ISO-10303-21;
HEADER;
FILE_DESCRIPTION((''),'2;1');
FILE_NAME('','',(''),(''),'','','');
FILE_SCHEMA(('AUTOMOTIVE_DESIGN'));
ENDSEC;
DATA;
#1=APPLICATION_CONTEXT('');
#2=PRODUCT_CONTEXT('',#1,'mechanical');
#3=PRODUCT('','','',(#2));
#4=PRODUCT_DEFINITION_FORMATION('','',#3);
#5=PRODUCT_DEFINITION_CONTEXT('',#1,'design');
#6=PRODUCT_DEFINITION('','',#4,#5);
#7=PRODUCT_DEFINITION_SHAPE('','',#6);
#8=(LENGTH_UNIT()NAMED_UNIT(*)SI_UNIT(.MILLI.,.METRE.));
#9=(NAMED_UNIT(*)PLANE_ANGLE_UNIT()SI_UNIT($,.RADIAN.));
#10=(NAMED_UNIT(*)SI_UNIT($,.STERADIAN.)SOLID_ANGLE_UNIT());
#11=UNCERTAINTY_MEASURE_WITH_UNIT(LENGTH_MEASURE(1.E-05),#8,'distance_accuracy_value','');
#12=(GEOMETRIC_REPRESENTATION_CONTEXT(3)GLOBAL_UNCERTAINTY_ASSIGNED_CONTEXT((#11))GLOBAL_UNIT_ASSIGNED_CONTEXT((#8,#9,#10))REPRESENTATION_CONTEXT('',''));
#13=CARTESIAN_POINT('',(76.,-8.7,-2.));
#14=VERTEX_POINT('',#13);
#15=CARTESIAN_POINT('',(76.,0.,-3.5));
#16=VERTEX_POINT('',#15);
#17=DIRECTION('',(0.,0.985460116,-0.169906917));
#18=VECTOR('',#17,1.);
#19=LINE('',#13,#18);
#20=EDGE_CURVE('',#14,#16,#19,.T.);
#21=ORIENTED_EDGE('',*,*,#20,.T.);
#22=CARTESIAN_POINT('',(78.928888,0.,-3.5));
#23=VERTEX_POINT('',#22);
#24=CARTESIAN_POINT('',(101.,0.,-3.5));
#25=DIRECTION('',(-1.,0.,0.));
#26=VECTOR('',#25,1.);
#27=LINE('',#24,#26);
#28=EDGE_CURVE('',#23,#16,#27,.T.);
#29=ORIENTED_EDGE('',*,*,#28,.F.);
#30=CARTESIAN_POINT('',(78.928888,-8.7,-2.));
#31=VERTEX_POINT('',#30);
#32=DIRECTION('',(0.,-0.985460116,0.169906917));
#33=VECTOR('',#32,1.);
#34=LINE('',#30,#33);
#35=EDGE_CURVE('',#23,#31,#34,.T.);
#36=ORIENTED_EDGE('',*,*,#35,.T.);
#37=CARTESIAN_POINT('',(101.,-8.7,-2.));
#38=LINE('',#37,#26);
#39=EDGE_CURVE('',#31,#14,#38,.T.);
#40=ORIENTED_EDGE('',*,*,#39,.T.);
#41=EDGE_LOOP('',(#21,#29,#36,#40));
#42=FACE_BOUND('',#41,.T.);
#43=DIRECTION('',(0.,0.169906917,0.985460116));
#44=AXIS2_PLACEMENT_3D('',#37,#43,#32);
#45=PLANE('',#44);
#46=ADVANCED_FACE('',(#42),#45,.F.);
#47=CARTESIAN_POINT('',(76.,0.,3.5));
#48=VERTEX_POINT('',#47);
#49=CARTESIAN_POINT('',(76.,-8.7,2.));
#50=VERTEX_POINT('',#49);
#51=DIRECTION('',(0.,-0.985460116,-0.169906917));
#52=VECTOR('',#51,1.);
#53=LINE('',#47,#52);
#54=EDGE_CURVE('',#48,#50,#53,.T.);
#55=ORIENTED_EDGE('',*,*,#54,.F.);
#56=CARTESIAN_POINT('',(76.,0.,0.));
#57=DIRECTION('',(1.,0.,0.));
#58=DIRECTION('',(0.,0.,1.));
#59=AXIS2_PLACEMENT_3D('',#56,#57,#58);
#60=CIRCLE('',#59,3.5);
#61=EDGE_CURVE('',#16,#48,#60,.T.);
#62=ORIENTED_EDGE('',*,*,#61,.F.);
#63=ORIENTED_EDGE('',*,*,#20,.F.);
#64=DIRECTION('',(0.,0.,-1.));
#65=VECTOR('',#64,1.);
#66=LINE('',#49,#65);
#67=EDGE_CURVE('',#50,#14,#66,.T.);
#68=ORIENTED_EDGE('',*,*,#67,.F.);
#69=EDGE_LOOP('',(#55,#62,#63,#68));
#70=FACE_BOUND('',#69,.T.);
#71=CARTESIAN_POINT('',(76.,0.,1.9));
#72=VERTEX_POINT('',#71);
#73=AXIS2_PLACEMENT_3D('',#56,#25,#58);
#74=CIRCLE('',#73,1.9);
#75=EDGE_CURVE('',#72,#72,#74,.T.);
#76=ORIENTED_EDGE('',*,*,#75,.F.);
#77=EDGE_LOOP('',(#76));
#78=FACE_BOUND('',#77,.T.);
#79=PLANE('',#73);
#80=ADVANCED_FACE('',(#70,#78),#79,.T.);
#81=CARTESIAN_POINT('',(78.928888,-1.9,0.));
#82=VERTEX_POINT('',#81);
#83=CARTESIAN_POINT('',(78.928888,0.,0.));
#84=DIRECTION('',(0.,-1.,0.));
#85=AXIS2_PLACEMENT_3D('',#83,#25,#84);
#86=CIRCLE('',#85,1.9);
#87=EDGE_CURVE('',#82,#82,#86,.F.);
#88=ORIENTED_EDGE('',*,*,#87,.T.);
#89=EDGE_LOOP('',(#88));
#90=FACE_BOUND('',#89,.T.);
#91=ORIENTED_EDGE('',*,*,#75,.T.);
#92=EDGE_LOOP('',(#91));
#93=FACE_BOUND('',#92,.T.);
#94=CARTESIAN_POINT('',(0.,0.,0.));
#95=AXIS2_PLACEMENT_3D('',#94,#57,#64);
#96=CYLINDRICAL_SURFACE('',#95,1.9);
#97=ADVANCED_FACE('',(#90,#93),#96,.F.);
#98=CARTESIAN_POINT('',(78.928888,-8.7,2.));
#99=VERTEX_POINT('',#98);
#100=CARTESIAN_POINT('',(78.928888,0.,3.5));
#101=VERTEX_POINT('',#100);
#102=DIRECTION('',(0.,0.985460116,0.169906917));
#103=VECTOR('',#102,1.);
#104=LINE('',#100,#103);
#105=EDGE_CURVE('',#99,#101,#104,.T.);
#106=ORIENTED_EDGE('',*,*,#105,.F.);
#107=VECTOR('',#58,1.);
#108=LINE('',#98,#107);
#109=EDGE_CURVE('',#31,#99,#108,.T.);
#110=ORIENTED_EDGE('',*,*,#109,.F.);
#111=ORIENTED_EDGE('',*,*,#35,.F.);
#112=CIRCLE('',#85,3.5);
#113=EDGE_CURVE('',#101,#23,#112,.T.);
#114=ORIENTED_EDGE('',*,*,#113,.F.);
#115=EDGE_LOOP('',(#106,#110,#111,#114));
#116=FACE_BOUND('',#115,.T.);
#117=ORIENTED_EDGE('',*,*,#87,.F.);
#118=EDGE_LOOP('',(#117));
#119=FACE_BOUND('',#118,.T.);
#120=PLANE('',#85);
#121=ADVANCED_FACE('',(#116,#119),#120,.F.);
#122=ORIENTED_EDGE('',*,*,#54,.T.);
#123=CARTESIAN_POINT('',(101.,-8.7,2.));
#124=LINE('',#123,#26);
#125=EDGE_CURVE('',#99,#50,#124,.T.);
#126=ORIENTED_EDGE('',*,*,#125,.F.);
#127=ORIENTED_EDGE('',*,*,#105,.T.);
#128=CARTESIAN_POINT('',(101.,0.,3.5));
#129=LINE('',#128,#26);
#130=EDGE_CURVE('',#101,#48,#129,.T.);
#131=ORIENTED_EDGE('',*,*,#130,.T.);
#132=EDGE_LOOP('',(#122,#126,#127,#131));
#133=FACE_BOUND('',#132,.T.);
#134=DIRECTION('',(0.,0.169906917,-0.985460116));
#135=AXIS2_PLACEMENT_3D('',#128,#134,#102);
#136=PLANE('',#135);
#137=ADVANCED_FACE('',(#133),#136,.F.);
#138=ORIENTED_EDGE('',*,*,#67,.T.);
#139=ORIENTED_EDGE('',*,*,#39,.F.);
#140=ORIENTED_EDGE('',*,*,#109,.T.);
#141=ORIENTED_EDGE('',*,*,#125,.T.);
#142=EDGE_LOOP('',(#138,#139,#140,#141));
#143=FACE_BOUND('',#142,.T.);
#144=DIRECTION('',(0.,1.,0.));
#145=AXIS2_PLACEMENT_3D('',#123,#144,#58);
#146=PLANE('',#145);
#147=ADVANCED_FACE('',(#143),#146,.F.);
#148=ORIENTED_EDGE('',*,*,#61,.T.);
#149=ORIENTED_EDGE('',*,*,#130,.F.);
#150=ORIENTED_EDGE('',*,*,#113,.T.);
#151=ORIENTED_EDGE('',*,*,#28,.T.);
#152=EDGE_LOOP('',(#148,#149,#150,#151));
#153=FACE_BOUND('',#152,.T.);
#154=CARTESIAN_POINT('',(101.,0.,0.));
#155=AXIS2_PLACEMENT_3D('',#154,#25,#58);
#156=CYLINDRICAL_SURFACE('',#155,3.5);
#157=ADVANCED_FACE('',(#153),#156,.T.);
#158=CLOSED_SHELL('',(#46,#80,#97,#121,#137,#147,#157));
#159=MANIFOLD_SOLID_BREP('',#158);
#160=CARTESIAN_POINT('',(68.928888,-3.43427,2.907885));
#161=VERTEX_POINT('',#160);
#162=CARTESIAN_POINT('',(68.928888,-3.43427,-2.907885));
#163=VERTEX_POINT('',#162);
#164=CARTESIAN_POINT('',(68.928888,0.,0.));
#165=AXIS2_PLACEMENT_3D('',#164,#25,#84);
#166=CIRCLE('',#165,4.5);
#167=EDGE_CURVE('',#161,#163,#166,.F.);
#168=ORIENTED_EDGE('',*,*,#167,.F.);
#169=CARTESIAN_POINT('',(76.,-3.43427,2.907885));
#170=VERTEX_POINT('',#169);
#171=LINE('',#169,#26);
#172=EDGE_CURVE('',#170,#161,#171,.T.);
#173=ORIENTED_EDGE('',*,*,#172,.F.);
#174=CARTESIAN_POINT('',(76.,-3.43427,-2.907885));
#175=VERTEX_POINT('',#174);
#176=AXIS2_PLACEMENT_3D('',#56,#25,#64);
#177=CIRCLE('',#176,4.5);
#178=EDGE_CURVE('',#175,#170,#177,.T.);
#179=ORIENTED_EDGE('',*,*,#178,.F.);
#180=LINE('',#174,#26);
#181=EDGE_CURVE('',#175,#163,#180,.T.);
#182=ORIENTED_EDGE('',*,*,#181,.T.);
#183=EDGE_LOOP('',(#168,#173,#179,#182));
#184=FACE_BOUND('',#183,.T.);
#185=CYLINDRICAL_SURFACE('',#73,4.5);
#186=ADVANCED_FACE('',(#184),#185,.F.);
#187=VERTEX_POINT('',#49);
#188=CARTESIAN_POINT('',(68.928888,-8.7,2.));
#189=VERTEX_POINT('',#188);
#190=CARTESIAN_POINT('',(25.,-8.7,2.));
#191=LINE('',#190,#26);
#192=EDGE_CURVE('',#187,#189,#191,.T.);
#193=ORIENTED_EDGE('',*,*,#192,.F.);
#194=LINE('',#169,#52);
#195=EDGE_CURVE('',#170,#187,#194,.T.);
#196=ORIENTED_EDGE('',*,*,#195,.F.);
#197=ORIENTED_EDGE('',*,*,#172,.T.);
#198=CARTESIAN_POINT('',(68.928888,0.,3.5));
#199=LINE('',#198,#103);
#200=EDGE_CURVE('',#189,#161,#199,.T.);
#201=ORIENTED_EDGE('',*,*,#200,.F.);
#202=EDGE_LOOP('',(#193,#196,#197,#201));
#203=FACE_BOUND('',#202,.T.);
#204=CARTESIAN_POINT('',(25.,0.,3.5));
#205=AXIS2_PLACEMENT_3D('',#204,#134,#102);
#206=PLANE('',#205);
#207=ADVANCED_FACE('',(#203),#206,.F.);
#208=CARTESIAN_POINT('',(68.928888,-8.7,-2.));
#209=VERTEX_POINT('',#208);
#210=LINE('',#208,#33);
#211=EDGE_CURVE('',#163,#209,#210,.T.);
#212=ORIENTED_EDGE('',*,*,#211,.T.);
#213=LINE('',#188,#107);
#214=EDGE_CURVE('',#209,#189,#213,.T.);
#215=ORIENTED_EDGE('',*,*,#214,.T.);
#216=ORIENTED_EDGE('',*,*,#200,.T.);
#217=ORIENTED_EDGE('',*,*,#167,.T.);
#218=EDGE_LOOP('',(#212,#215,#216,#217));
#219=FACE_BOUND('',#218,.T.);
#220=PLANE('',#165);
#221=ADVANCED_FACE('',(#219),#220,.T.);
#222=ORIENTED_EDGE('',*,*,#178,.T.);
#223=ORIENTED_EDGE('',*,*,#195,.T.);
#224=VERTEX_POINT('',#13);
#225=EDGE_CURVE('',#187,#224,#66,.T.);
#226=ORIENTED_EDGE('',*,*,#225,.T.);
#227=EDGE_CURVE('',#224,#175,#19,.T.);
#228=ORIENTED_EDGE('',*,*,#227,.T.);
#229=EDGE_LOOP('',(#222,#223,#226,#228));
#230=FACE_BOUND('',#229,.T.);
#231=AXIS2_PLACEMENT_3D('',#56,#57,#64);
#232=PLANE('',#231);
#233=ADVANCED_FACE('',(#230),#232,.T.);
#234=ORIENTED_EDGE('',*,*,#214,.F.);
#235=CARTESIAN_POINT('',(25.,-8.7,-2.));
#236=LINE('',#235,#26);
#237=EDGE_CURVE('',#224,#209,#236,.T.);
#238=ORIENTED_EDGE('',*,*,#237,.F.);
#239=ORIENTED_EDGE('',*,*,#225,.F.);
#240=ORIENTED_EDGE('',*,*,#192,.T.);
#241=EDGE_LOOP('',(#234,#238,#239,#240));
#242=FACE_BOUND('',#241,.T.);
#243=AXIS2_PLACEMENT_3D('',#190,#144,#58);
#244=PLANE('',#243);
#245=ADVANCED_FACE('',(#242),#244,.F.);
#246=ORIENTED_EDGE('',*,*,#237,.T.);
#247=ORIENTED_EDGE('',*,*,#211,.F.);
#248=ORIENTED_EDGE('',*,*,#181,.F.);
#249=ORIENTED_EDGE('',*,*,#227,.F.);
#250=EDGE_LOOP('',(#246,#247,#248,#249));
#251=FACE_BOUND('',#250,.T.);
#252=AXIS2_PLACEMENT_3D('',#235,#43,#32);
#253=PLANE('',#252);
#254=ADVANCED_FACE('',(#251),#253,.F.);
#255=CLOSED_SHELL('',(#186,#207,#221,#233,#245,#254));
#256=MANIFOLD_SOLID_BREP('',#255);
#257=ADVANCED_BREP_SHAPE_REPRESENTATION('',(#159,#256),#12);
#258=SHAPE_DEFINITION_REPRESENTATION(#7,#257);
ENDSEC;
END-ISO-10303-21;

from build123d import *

# Parameters (mm, degrees)
SKETCH1_R           = 1.9
BOSS_EXTRUDE1_DEPTH = 25
BOSS_EXTRUDE2_DEPTH = 51
SKETCH3_R           = 1.51
BOSS_EXTRUDE3_DEPTH = 25
SKETCH7_R           = 1.9
CUT_EXTRUDE4_DEPTH  = 102
SKETCH5_W           = 12.980873034
SKETCH5_H           = 17.196083227
CUT_EXTRUDE2_DEPTH  = 23.071112118
SKETCH6_W           = 13.016891784
SKETCH6_H           = 16.574206387
CUT_EXTRUDE3_DEPTH  = 69.928887882


with BuildPart() as part:
    # Sketch1 → Boss-Extrude1 (new body)
    with BuildSketch(Plane(origin=(0, 0, 0), x_dir=(0, 0, -1), z_dir=(1, 0, 0))):
        with BuildLine():
            Line((2, -8.7), (3.5, 0))
            ThreePointArc((3.5, 0), (0, 3.5), (-3.5, 0))
            Line((-3.5, 0), (-2, -8.7))
            Line((-2, -8.7), (2, -8.7))
        make_face()
        Circle(SKETCH1_R, mode=Mode.SUBTRACT)
    extrude(amount=BOSS_EXTRUDE1_DEPTH)

    # Sketch2 → Boss-Extrude2 (add)
    with BuildSketch(Plane(origin=(25, 0, 0), x_dir=(0, 0, -1), z_dir=(1, 0, 0))):
        with BuildLine():
            Line((-2, -8.7), (2, -8.7))
            Line((2, -8.7), (2.907884559, -3.434269557))
            ThreePointArc((2.907884559, -3.434269557), (0, -4.5), (-2.907884559, -3.434269557))
            Line((-2.907884559, -3.434269557), (-2, -8.7))
        make_face()
    extrude(amount=BOSS_EXTRUDE2_DEPTH)

    # Sketch6 → Cut-Extrude3 (cut, through all)
    with BuildSketch(Plane(origin=(68.928887882, 16.9, 1.27), x_dir=(0, 0, 1), z_dir=(1, 0, 0))):
        with Locations((-1.27, 20.639393127)):
            Rectangle(SKETCH6_W, SKETCH6_H)
    extrude(amount=-CUT_EXTRUDE3_DEPTH, mode=Mode.SUBTRACT)


with BuildPart() as body_2:
    # Sketch3 → Boss-Extrude3 (new body)
    with BuildSketch(Plane(origin=(76, 0, 0), x_dir=(0, 0, -1), z_dir=(1, 0, 0))):
        with BuildLine():
            Line((-3.5, 0), (-2, -8.7))
            Line((-2, -8.7), (2, -8.7))
            Line((2, -8.7), (3.5, 0))
            ThreePointArc((3.5, 0), (0, 3.5), (-3.5, 0))
        make_face()
        Circle(SKETCH3_R, mode=Mode.SUBTRACT)
    extrude(amount=BOSS_EXTRUDE3_DEPTH)

    # Sketch7 → Cut-Extrude4 (cut, through all)
    with BuildSketch(Plane(origin=(101, 0, 0), x_dir=(0, 0, -1), z_dir=(1, 0, 0))):
        Circle(SKETCH7_R)
    extrude(amount=-CUT_EXTRUDE4_DEPTH, mode=Mode.SUBTRACT)

    # Sketch5 → Cut-Extrude2 (cut, through all)
    with BuildSketch(Plane(origin=(78.928887882, 16.9, 1.27), x_dir=(0, 0, 1), z_dir=(1, 0, 0))):
        with Locations((-1.27, 20.925501883)):
            Rectangle(SKETCH5_W, SKETCH5_H)
    extrude(amount=CUT_EXTRUDE2_DEPTH, mode=Mode.SUBTRACT)


solid = Compound([part.part, body_2.part])
